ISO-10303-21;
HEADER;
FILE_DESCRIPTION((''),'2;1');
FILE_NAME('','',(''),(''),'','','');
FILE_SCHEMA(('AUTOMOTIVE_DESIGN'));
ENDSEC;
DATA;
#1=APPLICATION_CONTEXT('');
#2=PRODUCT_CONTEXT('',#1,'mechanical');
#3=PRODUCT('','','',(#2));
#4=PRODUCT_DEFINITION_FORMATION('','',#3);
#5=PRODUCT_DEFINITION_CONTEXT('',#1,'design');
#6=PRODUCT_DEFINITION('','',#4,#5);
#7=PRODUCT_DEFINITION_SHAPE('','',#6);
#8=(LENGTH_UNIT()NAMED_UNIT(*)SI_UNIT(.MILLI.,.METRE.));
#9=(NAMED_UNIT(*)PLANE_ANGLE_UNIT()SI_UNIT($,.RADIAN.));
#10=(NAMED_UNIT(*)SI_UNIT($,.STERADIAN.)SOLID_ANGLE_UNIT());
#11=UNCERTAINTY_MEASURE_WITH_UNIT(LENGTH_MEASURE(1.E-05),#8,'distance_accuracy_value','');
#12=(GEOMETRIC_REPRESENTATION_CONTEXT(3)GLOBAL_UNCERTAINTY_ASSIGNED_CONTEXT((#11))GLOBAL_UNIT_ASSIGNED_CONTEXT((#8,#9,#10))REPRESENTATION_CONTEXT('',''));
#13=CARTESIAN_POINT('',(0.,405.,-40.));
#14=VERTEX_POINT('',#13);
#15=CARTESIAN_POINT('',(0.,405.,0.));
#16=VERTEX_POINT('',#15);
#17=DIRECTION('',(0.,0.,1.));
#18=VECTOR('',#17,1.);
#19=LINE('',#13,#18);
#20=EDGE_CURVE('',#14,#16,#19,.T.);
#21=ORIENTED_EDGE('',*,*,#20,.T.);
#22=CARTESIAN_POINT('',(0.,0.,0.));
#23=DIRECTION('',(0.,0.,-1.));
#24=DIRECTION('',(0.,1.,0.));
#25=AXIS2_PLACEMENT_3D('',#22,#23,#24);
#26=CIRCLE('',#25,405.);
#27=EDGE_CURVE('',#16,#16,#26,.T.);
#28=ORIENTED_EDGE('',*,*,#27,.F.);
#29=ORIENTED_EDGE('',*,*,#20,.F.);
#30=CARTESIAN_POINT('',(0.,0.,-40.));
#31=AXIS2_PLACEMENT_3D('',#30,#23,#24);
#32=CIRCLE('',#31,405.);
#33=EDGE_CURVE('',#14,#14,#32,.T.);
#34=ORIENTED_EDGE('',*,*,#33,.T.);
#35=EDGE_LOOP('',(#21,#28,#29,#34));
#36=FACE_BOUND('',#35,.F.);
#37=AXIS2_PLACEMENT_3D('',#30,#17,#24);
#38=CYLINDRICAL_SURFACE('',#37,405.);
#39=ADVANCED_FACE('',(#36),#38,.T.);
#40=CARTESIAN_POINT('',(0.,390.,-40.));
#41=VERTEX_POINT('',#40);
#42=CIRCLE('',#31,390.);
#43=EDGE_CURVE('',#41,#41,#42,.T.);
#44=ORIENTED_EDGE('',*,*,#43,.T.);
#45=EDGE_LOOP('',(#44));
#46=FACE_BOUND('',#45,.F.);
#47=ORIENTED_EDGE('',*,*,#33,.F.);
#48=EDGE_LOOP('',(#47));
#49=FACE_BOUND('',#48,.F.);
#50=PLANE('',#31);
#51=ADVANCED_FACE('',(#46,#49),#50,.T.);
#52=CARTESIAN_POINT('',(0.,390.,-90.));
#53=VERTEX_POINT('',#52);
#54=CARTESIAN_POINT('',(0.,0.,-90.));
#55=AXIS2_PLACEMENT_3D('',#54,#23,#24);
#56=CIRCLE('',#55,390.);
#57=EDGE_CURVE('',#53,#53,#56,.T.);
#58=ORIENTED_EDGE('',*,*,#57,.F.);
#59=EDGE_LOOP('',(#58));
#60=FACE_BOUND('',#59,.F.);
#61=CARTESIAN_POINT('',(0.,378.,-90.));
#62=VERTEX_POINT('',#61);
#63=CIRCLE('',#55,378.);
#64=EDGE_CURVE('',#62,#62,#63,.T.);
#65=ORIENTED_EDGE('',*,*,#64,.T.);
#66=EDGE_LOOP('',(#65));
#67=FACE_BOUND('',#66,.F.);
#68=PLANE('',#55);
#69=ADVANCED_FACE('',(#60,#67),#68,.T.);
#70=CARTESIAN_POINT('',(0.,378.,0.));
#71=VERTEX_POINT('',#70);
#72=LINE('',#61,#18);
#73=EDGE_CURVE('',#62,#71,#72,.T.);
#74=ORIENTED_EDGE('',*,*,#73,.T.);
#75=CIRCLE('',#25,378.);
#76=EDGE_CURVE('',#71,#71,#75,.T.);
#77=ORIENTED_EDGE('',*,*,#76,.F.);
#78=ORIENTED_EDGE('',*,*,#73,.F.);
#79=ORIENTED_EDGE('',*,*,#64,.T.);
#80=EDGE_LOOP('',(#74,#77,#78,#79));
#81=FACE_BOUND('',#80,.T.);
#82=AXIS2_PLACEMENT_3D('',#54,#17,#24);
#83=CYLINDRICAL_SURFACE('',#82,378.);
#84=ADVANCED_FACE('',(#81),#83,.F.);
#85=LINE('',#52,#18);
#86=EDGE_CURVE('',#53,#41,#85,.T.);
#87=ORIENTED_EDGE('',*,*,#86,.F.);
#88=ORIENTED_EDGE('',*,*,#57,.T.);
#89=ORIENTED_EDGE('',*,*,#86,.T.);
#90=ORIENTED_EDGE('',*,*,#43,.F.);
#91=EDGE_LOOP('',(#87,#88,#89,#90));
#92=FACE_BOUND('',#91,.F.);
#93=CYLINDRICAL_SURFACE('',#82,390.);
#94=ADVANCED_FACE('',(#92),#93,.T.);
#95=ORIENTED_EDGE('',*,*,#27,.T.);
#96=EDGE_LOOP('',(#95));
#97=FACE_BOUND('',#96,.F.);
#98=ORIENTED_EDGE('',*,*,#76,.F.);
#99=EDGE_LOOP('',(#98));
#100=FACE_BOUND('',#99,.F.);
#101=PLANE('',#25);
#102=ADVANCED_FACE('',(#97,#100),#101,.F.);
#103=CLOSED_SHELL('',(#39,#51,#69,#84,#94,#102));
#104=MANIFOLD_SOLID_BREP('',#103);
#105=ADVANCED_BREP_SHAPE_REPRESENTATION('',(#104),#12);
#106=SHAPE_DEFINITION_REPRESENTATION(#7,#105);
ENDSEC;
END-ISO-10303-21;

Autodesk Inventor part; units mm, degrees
ref_plane "YZ Plane" through (0, 0, 0) normal (1, 0, 0) x (0, 1, 0)
ref_plane "XZ Plane" through (0, 0, 0) normal (0, 1, 0) x (-1, 0, 0)
ref_plane "XY Plane" through (0, 0, 0) normal (0, 0, 1) x (1, 0, 0)
sketch "Sketch1" plane through (0, 0, 0) normal (1, 0, 0) x (0, 1, 0)
  line L0 (0, 0) -> (0, -90)
  line L1 (0, 0) -> (378, 0)
  line L2 (0, -90) -> (378, -90)
  line L3 (378, -90) -> (378, 0)
  line L4 (378, -90) -> (390, -90)
  line L5 (390, -90) -> (390, -40)
  line L6 (390, -40) -> (405, -40)
  line L7 (405, -40) -> (405, 0)
  line L8 (405, 0) -> (378, 0)
  dimension "d0" = 756
  dimension "d2" = 90
  dimension "d4" = 780
  dimension "d5" = 40
  dimension "d6" = 810
revolve "Revolution1" add sketch "Sketch1" angle 360 about axis through (0, 0, 0) along (0, 0, -1) contours L8 L7 L6 L5 L4 L3
properties part number "DiscoCorpoTurbina1" material "Steel, Alloy"
